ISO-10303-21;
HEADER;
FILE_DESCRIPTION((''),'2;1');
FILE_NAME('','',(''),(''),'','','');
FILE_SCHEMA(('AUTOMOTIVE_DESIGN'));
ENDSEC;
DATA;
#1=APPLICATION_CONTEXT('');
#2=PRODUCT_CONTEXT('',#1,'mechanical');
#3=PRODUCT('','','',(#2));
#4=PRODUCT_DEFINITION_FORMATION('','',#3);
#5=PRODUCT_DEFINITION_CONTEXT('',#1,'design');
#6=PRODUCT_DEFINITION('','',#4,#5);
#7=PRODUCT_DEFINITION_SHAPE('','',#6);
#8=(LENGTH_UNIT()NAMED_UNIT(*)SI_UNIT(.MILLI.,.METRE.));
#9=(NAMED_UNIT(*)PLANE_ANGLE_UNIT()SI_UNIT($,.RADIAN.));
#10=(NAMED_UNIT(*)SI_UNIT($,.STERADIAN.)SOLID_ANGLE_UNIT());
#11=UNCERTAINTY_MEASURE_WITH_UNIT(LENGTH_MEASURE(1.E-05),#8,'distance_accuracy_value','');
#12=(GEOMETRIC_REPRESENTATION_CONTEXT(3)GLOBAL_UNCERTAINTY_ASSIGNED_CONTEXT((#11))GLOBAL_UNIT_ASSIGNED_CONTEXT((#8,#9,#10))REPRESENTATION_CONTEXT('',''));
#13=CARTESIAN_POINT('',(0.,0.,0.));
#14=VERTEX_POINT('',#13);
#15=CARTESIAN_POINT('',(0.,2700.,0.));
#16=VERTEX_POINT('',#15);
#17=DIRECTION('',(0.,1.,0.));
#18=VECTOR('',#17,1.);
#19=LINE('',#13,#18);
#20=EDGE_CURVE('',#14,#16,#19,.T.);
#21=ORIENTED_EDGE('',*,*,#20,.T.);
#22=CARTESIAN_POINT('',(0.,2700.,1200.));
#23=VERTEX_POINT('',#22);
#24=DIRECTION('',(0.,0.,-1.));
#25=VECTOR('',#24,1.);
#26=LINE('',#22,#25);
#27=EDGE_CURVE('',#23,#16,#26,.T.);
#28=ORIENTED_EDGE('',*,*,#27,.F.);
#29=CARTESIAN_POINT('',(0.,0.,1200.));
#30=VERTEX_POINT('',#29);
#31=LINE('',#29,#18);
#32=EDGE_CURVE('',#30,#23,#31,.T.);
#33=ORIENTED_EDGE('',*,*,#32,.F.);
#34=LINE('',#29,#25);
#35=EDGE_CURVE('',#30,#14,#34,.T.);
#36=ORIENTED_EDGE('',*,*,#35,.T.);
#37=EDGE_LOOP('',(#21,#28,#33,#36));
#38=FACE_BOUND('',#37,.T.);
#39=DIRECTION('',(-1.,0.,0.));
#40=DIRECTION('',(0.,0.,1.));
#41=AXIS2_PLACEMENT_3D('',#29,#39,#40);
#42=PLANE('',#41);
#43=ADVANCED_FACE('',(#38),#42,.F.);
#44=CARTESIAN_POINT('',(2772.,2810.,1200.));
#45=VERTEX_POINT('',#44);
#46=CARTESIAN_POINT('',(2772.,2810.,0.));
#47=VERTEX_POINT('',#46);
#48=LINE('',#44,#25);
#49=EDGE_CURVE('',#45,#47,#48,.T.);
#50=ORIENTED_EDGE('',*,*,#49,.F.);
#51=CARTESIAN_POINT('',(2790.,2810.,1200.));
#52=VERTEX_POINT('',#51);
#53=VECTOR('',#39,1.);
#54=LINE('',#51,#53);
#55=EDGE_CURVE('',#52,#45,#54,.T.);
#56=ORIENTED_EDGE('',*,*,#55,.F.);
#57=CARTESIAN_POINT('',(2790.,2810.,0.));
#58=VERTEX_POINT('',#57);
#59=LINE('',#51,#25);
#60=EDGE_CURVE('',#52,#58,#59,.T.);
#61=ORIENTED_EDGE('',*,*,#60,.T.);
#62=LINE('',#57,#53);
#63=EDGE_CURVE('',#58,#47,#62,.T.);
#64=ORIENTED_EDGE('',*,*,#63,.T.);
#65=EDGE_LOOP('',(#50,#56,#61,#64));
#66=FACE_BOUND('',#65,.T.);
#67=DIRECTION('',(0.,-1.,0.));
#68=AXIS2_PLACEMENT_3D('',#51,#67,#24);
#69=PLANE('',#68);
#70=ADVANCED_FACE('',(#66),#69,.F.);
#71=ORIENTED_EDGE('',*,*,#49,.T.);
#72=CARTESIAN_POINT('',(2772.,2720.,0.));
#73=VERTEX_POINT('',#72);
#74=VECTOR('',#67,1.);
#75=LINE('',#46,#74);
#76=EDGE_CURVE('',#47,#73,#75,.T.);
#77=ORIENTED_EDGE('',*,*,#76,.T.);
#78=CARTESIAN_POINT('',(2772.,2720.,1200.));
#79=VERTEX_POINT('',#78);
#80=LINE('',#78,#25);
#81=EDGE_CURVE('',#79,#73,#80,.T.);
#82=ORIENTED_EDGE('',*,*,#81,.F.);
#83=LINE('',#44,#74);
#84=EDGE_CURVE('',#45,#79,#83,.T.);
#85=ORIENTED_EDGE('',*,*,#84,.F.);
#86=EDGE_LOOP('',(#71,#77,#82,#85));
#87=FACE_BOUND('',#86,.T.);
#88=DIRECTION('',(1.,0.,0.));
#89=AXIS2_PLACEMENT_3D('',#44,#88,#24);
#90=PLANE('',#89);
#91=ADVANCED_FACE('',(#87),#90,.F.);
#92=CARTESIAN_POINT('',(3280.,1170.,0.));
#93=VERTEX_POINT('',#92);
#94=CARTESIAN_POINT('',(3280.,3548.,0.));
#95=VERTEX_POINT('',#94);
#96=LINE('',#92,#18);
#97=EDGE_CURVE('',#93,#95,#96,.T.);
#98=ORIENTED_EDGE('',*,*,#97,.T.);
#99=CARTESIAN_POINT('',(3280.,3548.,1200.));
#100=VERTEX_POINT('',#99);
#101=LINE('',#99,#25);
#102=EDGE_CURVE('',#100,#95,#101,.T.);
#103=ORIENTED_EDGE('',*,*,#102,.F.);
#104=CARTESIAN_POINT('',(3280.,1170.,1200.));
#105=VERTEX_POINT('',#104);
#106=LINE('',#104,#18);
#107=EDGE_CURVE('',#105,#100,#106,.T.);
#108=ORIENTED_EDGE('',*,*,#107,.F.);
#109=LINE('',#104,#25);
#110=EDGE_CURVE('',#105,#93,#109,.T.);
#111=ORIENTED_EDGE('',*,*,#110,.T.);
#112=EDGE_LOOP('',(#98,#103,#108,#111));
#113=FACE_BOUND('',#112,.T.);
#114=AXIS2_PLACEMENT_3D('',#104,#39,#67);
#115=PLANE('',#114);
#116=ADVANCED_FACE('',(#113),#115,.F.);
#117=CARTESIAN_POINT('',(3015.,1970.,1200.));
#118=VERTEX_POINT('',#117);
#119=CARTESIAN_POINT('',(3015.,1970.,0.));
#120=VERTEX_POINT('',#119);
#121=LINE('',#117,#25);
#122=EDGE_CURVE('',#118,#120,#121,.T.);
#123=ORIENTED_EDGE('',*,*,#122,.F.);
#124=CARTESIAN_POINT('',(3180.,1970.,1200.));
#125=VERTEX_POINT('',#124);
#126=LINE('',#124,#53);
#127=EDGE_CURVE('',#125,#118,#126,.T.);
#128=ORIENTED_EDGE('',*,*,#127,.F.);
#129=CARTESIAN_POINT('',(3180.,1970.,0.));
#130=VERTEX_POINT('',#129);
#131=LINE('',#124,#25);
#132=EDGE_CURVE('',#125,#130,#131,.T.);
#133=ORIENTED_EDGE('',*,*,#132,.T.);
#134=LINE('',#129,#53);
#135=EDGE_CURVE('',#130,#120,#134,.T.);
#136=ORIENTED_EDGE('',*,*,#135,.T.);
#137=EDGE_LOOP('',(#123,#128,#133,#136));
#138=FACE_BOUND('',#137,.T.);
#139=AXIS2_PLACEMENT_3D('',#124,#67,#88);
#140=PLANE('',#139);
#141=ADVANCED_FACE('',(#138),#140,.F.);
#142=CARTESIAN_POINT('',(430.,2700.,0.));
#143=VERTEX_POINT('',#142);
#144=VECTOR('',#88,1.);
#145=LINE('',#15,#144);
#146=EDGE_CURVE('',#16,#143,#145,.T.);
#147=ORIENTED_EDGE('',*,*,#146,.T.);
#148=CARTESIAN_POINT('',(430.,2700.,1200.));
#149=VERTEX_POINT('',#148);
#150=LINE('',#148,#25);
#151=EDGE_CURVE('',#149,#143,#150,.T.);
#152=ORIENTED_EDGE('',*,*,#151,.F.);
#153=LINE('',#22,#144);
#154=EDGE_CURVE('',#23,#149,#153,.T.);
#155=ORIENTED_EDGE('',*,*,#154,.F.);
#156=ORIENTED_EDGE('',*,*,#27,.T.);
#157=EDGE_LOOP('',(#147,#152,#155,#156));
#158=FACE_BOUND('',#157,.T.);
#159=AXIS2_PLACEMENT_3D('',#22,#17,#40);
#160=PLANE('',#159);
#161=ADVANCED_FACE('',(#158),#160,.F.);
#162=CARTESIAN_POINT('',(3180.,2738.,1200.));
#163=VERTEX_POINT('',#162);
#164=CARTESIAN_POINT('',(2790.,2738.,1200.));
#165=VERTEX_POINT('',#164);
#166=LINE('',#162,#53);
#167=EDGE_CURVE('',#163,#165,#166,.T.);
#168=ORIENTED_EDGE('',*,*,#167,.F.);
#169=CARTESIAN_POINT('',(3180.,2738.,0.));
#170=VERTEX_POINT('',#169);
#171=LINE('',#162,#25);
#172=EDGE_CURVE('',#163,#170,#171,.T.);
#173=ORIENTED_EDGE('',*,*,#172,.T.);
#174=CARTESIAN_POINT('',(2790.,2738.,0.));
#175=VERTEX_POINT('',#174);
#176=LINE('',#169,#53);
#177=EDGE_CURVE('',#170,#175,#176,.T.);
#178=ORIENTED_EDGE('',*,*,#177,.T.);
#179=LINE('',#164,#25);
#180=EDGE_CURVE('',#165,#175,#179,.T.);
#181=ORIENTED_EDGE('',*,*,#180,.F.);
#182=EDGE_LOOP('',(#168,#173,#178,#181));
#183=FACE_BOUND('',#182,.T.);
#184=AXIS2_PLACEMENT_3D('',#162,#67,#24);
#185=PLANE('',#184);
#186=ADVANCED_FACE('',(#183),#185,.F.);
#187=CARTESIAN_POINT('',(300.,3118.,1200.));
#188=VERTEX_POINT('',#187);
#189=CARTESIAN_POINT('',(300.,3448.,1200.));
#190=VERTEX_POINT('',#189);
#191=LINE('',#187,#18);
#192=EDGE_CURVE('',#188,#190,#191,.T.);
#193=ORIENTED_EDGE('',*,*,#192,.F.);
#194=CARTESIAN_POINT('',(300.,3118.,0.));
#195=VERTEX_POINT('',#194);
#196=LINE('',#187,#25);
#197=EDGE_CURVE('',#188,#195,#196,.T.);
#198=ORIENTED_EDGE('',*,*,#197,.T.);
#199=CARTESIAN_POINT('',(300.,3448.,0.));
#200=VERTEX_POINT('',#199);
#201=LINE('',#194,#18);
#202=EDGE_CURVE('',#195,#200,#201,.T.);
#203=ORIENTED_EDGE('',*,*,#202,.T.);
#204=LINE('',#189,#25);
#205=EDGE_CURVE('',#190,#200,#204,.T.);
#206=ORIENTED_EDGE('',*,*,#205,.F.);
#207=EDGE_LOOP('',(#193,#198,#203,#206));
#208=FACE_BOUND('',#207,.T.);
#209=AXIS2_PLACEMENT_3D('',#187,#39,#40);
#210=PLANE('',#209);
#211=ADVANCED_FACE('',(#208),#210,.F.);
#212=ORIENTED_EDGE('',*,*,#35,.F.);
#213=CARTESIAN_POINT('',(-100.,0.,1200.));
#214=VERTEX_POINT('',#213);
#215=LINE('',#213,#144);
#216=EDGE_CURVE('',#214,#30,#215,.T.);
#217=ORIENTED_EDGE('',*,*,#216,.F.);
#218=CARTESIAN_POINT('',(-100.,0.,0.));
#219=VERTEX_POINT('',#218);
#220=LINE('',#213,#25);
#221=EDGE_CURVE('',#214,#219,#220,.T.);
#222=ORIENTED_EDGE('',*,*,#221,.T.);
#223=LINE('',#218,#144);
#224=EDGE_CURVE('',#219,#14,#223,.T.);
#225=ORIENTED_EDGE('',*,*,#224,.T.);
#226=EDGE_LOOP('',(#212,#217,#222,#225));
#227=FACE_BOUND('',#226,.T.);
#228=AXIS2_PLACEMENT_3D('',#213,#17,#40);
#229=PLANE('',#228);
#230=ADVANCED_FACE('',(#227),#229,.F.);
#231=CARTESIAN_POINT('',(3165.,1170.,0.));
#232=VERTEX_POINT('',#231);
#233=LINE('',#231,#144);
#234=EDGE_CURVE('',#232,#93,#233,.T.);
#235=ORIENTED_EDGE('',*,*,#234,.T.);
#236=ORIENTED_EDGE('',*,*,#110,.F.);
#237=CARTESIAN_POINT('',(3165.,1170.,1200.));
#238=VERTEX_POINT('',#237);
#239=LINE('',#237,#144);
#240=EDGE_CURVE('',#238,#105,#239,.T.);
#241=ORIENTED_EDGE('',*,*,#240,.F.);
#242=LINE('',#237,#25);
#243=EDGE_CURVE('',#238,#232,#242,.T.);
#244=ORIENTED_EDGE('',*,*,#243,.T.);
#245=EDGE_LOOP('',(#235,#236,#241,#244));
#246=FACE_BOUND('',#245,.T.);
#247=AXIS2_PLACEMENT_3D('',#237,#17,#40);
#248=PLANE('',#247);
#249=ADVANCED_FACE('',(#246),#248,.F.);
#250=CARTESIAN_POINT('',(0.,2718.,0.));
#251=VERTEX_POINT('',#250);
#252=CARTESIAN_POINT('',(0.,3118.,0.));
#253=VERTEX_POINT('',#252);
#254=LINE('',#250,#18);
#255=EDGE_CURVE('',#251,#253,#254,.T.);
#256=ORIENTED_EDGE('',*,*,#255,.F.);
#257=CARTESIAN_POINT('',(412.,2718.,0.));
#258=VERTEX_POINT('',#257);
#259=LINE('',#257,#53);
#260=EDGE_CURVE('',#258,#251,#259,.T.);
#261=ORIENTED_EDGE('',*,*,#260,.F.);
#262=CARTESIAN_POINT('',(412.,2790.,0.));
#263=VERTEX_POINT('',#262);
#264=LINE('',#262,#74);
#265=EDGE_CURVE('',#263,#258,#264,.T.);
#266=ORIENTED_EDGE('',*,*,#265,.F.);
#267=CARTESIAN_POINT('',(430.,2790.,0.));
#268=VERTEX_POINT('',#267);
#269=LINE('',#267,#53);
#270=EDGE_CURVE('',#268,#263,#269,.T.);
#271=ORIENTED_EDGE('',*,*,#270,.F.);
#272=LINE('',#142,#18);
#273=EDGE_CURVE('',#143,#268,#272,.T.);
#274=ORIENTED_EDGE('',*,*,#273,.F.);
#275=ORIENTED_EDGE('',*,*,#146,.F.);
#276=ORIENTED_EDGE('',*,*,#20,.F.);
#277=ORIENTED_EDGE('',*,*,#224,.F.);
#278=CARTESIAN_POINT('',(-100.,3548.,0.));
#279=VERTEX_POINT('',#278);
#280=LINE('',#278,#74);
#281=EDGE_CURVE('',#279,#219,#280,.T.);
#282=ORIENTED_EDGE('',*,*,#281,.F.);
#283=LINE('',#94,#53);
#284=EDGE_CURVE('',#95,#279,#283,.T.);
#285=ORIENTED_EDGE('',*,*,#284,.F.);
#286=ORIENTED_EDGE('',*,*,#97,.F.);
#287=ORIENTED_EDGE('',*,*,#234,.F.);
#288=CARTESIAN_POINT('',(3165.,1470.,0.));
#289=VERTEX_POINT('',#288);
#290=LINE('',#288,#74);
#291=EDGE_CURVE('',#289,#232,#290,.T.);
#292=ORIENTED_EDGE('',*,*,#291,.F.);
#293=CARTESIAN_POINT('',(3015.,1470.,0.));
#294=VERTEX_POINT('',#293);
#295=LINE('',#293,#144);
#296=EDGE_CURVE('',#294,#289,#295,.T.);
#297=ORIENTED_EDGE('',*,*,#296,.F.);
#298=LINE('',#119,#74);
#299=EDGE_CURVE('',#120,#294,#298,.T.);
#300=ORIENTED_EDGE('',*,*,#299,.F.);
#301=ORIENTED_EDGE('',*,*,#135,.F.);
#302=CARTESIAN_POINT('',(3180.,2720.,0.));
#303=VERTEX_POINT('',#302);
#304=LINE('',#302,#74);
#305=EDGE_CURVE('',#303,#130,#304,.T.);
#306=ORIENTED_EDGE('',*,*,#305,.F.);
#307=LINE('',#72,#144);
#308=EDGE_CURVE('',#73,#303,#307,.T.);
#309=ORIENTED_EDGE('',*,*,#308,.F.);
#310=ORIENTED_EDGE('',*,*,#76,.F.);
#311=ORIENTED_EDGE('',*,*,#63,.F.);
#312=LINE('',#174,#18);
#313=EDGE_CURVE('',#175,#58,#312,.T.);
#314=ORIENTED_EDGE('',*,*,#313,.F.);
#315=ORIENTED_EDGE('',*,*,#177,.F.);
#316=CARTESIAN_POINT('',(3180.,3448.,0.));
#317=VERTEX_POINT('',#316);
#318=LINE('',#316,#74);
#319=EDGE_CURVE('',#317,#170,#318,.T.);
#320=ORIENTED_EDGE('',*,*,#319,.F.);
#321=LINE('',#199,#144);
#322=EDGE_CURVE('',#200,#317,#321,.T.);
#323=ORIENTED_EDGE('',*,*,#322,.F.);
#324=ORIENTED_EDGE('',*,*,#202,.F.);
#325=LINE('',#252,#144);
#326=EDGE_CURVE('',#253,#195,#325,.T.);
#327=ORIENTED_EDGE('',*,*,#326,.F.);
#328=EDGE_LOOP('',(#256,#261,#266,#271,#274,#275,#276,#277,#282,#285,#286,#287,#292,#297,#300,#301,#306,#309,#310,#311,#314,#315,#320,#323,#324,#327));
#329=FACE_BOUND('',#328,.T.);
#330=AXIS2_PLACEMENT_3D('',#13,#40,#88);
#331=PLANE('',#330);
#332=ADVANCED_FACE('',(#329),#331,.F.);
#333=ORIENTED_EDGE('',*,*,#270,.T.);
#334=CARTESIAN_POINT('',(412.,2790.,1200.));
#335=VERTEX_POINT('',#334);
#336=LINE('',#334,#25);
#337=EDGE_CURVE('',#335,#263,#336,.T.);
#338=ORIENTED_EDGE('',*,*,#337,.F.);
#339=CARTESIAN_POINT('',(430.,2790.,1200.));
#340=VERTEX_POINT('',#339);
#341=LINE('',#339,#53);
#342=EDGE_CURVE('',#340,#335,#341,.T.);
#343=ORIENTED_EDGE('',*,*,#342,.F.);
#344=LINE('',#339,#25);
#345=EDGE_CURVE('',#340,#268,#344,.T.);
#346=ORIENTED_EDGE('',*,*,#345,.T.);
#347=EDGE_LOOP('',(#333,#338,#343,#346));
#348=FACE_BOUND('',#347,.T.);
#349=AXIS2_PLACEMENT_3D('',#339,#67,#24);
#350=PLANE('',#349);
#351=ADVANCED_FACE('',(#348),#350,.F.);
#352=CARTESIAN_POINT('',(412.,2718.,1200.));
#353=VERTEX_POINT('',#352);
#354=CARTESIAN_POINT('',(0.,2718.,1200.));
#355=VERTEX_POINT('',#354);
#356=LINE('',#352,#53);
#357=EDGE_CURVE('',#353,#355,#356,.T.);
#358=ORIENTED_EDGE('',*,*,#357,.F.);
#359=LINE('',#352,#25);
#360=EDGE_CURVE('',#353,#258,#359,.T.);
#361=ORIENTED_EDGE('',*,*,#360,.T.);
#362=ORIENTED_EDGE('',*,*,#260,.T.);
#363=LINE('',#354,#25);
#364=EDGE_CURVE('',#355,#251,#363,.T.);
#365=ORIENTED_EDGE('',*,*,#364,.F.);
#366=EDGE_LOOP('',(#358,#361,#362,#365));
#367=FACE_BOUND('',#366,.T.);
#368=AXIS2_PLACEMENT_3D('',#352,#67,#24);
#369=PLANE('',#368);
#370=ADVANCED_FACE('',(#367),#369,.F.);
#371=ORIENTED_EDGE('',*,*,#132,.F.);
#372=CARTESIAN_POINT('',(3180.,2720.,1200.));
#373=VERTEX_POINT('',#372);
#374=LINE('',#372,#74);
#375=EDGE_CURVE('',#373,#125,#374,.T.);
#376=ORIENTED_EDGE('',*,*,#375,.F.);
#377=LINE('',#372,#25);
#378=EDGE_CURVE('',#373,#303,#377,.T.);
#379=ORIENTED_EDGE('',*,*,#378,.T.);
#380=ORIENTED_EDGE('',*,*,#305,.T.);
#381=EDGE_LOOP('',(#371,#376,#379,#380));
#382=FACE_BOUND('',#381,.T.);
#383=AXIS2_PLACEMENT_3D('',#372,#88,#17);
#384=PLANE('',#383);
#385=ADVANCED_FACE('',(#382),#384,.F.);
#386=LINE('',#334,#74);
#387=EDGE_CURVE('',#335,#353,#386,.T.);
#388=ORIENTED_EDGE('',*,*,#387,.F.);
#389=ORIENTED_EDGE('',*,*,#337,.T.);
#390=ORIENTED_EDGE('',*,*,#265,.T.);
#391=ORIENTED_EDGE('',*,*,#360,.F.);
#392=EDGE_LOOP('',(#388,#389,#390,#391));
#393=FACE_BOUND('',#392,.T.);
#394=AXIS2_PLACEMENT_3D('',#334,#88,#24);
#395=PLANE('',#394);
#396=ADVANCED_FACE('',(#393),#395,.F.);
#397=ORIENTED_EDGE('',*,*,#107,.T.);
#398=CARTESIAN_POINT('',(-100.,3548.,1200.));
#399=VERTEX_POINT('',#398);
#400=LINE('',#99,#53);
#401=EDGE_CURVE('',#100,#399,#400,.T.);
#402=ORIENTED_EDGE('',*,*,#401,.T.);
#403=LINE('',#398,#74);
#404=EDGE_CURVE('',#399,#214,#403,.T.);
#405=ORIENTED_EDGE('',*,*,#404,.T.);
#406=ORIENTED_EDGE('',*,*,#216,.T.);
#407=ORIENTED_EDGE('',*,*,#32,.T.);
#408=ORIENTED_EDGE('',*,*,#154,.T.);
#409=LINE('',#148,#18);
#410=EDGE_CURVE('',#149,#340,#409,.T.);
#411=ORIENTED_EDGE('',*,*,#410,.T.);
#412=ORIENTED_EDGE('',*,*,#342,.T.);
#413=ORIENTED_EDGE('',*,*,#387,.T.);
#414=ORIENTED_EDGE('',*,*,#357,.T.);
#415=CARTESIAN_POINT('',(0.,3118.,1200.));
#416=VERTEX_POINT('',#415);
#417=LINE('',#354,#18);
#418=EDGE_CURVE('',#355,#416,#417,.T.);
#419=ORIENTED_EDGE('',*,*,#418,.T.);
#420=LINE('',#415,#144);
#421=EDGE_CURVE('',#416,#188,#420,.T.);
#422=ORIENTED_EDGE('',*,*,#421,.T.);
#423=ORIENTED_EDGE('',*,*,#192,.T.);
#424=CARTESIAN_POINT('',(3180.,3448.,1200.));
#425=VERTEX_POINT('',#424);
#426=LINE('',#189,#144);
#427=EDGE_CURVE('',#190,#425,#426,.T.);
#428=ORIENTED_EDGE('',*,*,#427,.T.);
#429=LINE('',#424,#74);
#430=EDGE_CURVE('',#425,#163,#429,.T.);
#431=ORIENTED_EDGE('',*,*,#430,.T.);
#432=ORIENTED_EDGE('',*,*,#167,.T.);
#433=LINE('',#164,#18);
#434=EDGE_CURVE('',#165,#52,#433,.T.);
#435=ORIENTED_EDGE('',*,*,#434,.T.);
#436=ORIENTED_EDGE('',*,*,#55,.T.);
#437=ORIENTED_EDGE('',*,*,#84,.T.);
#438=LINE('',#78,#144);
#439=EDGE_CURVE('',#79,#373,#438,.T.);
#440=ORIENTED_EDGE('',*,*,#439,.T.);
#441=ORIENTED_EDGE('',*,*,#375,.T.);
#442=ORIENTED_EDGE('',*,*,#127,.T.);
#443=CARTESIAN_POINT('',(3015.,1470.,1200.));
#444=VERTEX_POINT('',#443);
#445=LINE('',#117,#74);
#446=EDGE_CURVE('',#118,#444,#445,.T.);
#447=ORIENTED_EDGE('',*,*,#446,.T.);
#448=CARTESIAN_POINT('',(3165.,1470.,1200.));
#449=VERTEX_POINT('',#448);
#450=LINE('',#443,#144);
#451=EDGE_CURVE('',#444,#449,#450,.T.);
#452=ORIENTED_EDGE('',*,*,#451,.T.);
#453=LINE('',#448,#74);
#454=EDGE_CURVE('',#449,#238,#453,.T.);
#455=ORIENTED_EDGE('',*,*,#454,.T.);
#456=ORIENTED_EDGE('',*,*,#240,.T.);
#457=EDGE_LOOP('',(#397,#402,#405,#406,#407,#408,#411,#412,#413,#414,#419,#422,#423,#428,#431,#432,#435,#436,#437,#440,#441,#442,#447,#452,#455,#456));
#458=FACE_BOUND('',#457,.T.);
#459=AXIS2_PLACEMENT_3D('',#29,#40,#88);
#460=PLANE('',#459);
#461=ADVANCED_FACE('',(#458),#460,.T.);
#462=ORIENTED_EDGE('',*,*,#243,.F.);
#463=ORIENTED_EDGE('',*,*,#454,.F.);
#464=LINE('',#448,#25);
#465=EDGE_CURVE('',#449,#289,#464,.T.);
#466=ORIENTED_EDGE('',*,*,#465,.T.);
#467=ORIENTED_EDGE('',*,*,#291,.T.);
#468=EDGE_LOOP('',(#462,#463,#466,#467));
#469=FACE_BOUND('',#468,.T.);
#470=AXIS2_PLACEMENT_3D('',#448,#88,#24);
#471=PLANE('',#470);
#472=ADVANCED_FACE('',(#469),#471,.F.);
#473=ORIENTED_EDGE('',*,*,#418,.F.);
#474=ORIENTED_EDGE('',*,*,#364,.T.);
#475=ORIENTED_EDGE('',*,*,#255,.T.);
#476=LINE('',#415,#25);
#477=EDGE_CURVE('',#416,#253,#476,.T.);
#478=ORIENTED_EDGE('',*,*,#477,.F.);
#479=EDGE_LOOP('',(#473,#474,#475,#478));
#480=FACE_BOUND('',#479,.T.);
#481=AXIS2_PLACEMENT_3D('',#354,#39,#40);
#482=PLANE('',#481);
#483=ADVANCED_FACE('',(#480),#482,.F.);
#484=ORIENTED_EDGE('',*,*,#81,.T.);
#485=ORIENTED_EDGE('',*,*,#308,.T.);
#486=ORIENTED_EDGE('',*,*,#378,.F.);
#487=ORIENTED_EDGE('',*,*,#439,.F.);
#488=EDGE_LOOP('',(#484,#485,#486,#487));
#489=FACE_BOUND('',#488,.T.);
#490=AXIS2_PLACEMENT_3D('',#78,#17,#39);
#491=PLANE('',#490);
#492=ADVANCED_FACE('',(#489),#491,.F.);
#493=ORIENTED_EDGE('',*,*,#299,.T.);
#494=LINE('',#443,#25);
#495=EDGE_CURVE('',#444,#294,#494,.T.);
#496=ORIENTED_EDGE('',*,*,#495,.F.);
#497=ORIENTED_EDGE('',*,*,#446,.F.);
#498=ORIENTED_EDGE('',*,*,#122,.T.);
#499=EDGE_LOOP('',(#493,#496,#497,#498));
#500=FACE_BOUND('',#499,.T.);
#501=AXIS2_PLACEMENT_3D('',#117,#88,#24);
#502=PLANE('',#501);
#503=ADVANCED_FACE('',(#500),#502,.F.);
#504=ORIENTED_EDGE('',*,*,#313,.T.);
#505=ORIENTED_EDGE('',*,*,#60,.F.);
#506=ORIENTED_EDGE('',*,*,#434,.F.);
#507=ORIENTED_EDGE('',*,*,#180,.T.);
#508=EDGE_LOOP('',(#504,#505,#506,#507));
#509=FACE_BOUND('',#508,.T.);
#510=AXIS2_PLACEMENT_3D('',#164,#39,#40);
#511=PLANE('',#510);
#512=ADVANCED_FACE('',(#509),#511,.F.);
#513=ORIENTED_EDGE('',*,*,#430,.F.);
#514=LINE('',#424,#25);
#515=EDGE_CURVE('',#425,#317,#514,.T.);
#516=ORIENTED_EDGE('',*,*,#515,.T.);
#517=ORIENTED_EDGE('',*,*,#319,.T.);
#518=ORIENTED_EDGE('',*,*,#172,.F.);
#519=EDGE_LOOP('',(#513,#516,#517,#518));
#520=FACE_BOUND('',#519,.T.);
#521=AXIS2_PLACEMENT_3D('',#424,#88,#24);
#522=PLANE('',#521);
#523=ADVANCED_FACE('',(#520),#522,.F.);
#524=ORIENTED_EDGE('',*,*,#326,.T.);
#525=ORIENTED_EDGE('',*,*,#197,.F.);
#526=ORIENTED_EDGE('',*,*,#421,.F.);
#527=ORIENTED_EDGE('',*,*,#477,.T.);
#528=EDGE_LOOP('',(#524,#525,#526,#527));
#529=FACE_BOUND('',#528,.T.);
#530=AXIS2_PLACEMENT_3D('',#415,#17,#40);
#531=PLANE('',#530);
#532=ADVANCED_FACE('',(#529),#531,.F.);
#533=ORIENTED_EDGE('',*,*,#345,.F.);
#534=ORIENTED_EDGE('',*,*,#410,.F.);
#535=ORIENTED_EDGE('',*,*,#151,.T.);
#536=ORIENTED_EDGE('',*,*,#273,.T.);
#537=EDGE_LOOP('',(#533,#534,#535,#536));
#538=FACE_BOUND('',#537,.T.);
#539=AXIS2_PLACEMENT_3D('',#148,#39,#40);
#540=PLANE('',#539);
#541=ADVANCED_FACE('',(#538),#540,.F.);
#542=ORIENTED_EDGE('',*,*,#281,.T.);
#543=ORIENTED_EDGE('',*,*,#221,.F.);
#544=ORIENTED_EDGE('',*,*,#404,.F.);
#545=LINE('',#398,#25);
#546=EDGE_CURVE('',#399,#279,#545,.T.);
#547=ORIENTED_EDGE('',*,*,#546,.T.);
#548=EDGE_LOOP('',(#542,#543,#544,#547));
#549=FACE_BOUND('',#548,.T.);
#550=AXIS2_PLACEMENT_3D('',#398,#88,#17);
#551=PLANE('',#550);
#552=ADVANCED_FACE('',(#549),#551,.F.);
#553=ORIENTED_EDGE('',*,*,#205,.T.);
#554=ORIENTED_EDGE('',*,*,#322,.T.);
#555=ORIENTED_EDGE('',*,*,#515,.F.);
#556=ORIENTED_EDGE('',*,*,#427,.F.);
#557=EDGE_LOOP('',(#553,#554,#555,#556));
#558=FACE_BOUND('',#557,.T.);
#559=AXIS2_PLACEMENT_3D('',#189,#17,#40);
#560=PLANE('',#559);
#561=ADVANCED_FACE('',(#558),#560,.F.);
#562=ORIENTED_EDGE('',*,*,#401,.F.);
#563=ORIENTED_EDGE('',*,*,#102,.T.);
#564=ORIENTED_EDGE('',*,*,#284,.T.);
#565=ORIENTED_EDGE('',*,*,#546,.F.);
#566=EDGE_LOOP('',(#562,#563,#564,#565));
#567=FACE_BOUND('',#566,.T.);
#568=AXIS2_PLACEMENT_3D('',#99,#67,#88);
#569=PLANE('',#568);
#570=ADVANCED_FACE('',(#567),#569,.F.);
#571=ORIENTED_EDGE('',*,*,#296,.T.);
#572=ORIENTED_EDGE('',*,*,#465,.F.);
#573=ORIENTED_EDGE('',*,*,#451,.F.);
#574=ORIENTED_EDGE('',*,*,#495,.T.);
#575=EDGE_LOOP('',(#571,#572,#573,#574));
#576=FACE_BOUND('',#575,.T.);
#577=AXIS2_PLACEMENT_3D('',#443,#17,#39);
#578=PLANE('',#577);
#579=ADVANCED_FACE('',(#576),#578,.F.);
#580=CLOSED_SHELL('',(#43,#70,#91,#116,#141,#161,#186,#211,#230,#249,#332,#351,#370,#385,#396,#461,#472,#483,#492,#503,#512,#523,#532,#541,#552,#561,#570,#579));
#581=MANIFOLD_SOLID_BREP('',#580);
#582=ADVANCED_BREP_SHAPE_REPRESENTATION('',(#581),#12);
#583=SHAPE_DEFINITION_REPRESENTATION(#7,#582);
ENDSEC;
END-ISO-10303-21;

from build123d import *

# Parameters (mm, degrees)
BOSS_EXTRU_1_DEPTH = 1200


with BuildPart() as part:
    # Esquisse1 → Boss.-Extru.1 (new body)
    with BuildSketch(Plane.XY):
        Polygon((0, 0), (0, 2700), (430, 2700), (430, 2790), (412, 2790), (412, 2718), (0, 2718), (0, 3118), (300, 3118), (300, 3448), (3180, 3448), (3180, 2738), (2790, 2738), (2790, 2810), (2772, 2810), (2772, 2720), (3180, 2720), (3180, 1970), (3015, 1970), (3015, 1470), (3165, 1470), (3165, 1170), (3280, 1170), (3280, 3548), (-100, 3548), (-100, 0), align=None)
    extrude(amount=BOSS_EXTRU_1_DEPTH)


solid = part.part
